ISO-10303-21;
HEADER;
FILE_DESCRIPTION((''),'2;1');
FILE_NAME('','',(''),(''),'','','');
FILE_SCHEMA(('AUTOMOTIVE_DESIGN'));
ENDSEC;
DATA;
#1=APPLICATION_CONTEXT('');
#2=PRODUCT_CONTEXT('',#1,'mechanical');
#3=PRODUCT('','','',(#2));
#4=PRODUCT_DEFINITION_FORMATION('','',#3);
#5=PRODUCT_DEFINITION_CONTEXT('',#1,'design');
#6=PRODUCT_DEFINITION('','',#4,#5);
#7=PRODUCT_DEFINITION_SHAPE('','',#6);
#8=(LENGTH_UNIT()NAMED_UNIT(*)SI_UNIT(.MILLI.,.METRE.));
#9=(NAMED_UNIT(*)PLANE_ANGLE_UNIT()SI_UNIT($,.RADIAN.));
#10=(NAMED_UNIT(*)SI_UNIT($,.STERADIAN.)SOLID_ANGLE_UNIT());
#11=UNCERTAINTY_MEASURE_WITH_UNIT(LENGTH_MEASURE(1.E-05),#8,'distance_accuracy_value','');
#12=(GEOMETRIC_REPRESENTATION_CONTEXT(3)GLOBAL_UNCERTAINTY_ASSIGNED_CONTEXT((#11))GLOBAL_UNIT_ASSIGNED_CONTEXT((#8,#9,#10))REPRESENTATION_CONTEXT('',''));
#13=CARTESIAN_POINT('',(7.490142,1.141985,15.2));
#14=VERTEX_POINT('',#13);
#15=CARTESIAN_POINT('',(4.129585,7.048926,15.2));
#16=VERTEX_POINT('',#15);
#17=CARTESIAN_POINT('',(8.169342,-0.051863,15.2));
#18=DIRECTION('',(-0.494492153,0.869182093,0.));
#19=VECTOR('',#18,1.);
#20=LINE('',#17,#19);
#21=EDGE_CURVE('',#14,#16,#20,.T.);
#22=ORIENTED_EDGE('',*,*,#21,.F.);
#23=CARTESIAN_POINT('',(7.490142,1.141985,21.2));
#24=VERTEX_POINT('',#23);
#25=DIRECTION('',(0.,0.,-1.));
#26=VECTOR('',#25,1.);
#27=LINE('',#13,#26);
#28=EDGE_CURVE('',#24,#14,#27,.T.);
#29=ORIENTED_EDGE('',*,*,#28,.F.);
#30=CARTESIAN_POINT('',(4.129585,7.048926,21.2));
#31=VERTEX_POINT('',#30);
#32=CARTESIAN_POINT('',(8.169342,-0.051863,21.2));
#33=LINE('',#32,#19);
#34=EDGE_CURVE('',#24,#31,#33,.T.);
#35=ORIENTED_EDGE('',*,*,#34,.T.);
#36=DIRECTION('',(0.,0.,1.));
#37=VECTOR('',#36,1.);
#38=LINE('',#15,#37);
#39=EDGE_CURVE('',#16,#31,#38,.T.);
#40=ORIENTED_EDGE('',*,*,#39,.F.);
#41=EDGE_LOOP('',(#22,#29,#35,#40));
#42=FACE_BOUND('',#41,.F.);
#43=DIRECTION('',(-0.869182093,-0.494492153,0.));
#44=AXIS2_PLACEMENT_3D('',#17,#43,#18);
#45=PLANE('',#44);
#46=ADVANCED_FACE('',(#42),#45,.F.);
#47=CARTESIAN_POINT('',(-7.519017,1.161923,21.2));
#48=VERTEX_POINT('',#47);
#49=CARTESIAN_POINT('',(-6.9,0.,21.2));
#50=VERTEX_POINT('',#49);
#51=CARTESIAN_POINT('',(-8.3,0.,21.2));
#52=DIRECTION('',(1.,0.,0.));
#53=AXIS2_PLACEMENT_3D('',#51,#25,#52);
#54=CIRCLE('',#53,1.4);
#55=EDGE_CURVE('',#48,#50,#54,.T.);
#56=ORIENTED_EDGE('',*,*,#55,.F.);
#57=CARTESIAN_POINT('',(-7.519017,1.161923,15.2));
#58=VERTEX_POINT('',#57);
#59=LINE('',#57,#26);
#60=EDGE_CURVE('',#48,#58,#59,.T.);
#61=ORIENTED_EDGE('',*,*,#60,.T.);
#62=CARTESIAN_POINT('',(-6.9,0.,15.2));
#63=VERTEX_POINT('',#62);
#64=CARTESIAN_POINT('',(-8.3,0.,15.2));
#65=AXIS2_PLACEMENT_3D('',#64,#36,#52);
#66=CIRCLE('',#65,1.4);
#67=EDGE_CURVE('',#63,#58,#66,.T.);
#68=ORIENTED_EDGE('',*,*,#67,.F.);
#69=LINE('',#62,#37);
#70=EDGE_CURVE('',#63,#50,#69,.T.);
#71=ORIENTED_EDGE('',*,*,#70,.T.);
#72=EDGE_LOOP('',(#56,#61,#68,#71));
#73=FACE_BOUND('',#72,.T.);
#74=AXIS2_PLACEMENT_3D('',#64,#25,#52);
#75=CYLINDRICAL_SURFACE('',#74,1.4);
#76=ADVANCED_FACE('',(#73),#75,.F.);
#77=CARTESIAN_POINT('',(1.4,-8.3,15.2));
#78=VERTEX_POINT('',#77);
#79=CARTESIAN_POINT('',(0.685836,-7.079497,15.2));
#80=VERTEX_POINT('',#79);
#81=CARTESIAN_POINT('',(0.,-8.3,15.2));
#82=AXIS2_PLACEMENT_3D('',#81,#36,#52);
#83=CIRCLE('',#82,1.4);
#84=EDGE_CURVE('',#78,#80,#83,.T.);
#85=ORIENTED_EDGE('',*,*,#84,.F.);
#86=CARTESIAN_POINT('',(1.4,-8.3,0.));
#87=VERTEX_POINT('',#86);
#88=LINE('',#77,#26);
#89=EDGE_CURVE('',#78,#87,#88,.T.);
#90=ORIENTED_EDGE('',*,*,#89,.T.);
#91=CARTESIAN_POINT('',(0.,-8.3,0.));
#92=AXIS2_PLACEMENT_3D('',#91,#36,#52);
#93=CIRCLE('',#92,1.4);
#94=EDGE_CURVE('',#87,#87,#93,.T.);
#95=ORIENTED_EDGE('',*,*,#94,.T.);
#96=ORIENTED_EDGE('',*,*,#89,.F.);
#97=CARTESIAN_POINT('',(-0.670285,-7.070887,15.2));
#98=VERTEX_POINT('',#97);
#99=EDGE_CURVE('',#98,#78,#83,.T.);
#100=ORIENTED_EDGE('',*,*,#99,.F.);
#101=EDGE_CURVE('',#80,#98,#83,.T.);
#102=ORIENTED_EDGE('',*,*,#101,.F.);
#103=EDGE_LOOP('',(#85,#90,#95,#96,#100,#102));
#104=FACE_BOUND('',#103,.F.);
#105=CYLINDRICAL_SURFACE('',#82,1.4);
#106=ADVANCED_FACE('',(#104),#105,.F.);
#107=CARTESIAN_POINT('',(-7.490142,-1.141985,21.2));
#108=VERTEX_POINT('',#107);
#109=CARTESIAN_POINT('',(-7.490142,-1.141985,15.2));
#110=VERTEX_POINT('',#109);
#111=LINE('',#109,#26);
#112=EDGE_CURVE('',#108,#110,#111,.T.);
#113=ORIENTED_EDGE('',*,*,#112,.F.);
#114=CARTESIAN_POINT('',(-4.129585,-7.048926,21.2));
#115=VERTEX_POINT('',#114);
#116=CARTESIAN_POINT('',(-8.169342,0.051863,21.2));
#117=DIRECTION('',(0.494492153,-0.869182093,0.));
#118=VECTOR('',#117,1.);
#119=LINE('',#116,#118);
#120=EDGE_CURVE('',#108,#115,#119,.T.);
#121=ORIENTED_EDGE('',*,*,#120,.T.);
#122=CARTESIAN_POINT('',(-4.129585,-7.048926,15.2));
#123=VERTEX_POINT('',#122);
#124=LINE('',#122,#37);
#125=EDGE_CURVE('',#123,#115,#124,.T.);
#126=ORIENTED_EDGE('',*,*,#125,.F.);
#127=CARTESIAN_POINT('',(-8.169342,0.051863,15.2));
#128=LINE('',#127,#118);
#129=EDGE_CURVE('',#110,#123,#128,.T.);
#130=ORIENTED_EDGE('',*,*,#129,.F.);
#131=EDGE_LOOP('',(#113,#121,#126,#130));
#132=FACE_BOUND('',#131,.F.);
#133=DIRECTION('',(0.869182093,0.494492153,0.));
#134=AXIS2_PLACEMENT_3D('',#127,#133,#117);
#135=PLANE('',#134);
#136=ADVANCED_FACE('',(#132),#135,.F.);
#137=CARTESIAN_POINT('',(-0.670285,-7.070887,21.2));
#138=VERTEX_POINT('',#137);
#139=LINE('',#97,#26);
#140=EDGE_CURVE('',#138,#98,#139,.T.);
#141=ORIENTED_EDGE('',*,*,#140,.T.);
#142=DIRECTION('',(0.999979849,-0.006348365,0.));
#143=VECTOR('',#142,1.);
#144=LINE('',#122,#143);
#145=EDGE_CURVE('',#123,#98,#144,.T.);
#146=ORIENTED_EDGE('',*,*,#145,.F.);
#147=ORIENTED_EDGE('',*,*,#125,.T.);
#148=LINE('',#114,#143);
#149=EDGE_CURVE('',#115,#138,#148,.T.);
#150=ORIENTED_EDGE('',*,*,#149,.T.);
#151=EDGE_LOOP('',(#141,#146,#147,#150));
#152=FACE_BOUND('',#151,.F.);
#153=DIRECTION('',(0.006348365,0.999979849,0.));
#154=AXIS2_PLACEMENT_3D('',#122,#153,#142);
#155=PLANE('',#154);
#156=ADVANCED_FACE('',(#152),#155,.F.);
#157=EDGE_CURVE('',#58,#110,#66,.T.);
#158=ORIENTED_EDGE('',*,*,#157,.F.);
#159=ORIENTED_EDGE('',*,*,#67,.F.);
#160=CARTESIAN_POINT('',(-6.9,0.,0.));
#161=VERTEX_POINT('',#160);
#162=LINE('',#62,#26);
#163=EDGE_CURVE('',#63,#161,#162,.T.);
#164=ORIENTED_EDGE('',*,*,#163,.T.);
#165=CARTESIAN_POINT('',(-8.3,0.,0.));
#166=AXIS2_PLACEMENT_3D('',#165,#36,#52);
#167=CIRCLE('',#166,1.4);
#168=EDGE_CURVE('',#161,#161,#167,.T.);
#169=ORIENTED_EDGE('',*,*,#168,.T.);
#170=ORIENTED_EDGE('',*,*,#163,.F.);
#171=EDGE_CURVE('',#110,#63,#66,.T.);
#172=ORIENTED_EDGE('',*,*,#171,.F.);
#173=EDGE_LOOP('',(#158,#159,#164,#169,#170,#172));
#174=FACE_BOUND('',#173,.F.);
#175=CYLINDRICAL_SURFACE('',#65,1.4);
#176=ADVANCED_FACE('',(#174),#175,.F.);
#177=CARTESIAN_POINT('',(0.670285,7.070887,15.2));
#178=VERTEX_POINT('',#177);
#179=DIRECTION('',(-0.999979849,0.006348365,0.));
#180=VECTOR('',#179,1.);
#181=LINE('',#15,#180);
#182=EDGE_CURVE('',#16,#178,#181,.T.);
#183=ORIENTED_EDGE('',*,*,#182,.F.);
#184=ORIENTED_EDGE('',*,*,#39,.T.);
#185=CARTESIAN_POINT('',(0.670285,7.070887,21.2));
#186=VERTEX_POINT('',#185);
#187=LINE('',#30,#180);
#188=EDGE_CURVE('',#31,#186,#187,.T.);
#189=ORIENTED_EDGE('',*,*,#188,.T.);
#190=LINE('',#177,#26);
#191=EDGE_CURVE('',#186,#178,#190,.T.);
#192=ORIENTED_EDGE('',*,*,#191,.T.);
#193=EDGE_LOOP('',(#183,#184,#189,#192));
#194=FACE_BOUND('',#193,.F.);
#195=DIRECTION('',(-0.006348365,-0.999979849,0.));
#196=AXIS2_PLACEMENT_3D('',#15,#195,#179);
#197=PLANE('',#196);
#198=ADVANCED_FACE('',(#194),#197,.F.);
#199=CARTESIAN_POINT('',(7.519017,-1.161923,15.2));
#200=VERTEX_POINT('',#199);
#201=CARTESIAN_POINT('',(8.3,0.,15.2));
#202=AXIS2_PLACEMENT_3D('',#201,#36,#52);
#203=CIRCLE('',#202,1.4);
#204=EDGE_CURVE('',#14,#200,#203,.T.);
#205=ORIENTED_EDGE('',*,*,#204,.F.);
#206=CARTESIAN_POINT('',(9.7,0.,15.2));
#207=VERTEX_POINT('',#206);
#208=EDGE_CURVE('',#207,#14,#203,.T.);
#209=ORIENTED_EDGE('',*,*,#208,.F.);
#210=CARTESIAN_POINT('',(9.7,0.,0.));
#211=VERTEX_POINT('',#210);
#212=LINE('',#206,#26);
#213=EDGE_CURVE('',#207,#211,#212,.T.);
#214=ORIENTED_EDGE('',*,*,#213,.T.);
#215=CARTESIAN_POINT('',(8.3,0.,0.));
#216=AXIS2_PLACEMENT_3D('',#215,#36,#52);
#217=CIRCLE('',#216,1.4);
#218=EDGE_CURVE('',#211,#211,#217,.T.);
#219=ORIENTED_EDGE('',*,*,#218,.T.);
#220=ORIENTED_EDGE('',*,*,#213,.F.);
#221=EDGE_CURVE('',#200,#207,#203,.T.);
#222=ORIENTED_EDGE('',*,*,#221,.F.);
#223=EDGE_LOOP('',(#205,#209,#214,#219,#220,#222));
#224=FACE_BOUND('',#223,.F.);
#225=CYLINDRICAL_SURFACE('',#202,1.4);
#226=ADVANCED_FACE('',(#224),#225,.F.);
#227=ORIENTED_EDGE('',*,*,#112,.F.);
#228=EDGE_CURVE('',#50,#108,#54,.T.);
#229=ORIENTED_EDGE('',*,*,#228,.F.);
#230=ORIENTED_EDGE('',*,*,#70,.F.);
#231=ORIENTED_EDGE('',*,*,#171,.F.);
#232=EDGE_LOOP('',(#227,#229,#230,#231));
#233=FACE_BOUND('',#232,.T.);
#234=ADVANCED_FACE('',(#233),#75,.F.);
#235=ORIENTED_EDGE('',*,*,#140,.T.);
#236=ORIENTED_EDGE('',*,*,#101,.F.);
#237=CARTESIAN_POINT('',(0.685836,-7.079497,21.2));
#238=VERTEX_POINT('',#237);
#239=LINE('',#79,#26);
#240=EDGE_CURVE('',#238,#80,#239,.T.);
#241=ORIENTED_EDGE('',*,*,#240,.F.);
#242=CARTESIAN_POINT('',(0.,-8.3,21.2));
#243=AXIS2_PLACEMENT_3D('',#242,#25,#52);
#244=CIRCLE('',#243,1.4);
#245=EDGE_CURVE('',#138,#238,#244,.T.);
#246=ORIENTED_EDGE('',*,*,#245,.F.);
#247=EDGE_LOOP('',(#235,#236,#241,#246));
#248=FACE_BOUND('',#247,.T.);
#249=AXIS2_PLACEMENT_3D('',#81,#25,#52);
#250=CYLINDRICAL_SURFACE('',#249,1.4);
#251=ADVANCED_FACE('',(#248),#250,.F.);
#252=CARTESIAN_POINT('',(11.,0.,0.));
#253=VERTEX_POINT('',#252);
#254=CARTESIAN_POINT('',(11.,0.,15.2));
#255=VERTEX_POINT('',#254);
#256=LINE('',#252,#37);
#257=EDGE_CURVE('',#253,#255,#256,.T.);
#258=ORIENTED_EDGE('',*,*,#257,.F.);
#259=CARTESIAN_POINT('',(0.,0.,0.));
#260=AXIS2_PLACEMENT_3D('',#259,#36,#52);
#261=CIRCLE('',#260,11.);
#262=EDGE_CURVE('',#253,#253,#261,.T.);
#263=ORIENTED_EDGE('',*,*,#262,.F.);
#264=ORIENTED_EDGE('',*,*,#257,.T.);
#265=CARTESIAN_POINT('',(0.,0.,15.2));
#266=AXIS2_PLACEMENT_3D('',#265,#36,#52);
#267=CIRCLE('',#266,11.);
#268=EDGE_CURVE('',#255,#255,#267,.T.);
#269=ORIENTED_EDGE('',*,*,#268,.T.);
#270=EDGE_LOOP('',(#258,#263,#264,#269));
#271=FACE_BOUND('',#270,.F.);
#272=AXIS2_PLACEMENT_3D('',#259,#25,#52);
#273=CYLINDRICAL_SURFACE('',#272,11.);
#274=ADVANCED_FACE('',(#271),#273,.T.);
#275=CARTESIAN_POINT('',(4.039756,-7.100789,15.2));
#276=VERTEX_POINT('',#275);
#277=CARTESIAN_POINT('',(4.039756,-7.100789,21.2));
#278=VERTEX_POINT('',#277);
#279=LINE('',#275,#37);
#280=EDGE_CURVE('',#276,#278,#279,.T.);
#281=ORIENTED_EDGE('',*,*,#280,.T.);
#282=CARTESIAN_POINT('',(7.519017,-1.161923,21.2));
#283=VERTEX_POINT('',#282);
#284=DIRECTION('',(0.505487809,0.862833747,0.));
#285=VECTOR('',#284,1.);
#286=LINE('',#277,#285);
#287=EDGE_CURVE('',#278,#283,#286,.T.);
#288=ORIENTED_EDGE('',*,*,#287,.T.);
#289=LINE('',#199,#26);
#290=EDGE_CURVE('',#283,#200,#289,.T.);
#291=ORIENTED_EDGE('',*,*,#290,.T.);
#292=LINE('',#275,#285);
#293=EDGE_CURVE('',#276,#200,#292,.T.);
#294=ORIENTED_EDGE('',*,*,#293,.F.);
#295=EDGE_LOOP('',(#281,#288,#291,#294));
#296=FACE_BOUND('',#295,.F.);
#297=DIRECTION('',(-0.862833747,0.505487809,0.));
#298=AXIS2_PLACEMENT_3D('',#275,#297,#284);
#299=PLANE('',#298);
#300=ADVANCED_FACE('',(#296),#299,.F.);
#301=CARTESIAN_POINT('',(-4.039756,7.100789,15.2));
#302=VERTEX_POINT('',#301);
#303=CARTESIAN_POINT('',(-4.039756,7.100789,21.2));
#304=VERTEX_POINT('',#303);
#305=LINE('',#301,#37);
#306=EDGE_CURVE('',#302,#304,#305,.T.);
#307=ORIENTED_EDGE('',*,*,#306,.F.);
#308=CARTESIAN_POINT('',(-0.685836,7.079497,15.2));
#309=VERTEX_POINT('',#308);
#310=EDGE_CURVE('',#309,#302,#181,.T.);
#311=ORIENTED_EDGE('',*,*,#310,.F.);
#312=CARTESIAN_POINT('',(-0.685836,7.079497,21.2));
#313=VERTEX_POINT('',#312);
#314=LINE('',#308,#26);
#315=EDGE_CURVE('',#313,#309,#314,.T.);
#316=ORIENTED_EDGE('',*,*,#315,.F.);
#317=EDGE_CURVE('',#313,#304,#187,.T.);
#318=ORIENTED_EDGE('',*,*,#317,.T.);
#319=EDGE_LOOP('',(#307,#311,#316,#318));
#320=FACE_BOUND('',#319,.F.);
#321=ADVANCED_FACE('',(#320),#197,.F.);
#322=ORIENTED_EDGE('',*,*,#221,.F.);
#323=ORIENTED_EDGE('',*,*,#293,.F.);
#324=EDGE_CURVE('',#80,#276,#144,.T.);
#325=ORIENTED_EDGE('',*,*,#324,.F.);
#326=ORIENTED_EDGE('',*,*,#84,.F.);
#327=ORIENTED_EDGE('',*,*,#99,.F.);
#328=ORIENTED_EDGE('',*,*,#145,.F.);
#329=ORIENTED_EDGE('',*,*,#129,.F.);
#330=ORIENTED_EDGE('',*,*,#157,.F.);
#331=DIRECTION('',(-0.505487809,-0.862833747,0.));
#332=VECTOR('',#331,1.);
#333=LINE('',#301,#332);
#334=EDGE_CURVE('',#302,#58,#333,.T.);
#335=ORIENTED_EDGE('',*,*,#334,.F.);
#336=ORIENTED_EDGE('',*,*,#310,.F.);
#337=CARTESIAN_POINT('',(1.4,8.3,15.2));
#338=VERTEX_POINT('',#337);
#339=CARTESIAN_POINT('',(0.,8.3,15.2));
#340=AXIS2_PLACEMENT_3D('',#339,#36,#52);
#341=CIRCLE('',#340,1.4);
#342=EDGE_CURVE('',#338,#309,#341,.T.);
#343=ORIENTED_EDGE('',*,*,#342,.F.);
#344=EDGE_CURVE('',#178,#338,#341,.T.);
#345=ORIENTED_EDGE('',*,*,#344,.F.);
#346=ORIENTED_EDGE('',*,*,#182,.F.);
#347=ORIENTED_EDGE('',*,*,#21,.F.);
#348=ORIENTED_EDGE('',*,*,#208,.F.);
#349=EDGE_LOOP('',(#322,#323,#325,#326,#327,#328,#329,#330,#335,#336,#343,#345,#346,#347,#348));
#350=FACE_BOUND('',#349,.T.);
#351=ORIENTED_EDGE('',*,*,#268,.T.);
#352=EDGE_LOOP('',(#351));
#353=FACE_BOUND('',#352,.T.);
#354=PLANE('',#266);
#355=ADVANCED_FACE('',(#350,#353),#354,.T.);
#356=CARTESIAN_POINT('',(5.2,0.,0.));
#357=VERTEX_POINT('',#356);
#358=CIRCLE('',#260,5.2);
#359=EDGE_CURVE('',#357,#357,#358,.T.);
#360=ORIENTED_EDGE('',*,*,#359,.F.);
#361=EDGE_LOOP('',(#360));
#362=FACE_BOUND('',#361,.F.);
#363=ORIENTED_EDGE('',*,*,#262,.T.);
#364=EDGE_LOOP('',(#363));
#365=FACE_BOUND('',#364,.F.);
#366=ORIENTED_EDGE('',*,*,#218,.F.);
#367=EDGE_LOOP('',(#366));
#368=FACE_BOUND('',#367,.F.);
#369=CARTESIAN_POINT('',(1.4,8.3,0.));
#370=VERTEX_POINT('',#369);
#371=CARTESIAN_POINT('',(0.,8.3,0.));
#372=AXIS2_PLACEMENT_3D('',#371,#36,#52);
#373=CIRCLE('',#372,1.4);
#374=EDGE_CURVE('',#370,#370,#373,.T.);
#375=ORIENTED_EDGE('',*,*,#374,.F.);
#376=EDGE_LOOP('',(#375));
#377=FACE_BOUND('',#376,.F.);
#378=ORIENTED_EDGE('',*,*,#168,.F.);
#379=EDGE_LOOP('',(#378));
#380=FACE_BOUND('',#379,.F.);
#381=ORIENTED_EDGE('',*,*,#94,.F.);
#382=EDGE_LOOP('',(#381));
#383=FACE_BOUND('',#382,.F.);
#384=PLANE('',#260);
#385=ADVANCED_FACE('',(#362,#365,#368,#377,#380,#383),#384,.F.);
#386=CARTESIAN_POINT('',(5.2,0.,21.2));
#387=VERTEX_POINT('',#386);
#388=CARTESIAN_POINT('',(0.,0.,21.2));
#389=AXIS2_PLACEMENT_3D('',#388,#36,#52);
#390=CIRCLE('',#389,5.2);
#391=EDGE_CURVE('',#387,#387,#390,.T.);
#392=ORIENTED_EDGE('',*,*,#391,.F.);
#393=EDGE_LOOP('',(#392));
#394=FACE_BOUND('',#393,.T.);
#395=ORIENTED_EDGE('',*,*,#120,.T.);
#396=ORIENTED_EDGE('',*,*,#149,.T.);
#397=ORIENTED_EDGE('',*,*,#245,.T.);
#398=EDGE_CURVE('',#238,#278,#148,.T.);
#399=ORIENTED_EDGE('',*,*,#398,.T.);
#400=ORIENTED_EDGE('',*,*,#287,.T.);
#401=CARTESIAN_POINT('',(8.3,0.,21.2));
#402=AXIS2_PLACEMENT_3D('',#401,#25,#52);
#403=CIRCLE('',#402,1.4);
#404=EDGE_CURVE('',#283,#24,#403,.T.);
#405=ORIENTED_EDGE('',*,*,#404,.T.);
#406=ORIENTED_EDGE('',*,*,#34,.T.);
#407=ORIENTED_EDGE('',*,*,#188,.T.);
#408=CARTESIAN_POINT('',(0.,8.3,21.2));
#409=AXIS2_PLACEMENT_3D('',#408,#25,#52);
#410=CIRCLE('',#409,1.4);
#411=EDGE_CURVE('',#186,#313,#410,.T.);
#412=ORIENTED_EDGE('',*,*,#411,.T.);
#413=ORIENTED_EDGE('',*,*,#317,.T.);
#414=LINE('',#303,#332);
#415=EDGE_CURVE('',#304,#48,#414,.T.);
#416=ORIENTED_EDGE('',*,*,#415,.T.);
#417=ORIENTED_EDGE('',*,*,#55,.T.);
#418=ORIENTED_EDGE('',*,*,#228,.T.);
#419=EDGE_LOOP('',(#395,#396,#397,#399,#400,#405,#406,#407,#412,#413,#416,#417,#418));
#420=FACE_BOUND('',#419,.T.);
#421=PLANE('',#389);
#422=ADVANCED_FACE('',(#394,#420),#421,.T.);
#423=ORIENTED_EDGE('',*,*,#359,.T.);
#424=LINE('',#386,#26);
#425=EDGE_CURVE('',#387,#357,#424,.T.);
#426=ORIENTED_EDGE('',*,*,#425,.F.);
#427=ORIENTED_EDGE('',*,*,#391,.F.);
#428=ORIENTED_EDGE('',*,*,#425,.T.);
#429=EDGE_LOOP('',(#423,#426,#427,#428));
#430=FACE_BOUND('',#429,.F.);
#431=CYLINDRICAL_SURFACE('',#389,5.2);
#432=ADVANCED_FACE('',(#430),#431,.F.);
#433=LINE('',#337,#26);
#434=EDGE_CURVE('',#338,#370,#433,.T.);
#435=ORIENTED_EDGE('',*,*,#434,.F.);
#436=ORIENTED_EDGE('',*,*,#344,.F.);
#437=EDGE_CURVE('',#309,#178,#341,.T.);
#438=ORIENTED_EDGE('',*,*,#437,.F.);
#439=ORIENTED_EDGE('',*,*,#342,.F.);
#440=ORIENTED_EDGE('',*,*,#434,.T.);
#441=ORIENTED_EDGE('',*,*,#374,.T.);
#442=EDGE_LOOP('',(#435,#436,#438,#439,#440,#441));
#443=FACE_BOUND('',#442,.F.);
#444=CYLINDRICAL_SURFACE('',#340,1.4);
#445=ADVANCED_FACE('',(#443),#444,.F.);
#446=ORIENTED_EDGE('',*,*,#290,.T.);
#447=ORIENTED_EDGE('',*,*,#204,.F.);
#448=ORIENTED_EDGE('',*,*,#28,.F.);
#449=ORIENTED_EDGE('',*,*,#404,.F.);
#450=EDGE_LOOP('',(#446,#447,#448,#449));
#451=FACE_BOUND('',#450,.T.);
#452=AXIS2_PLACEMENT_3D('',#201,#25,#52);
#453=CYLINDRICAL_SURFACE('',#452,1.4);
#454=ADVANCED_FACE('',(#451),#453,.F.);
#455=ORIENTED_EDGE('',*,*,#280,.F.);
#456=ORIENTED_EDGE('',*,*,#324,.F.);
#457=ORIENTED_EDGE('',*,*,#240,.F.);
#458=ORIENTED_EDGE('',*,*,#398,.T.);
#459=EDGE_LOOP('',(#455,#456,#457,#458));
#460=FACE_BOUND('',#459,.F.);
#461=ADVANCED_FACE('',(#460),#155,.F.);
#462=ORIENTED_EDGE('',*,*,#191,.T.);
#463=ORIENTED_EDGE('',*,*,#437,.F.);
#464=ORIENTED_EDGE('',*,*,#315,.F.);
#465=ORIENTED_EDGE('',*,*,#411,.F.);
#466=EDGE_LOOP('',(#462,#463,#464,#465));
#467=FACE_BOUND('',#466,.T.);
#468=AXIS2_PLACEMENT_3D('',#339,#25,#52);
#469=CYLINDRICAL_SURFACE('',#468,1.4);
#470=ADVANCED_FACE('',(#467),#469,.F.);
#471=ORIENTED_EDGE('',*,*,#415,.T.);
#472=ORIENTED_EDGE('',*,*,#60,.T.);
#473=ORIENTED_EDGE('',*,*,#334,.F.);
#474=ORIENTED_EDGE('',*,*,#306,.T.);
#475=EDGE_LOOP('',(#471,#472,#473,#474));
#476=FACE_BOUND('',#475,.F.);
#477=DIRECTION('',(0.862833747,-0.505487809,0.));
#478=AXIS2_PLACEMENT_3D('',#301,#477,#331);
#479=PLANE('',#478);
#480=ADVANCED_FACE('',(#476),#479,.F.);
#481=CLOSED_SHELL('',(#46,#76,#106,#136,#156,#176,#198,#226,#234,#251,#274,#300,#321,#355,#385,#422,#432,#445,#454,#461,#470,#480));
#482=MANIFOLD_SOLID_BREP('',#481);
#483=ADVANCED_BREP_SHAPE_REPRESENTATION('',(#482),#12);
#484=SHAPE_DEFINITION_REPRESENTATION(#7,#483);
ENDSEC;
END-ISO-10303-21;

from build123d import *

# Parameters (mm, degrees)
F0_R          = 11
F1_DEPTH      = 15.2
F2_R          = 5.1
F3_DEPTH      = 50
F3_DEPTH_BACK = 50
F4_R          = 1.4
F5_DEPTH      = 25
F7_DEPTH      = 6
F8_R          = 5.2
F9_DEPTH      = 50
F10_DEPTH     = 25


with BuildPart() as f1:
    # F0 (on Top) → F1 (new body)
    with BuildSketch(Plane.XY):
        Circle(F0_R)
    extrude(amount=F1_DEPTH)

    # F2 (on face) → F3 (cut, two sides)
    with BuildSketch(Plane.XY.offset(15.2)) as f3_sk:
        Circle(F2_R)
    extrude(amount=-F3_DEPTH, mode=Mode.SUBTRACT)
    extrude(f3_sk.sketch, amount=-F3_DEPTH_BACK, mode=Mode.SUBTRACT)

    # F4 (on face) → F5 (cut)
    with BuildSketch(Plane.XY.offset(15.2)):
        with Locations((0, -8.3)):
            Circle(F4_R)
        with Locations((-8.3, 0)):
            Circle(F4_R)
        with Locations((0, 8.3)):
            Circle(F4_R)
        with Locations((8.3, 0)):
            Circle(F4_R)
    extrude(amount=-F5_DEPTH, mode=Mode.SUBTRACT)

    # F6 (on face) → F7 (join)
    with BuildSketch(Plane.XY.offset(15.2)):
        Polygon((4.039756, -7.100789), (8.169342, -0.051863), (4.129585, 7.048926), (-4.039756, 7.100789), (-8.169342, 0.051863), (-4.129585, -7.048926), align=None)
    extrude(amount=F7_DEPTH)

    # F8 (on face) → F9 (cut)
    with BuildSketch(Plane.XY.offset(21.2)):
        Circle(F8_R)
    extrude(amount=-F9_DEPTH, mode=Mode.SUBTRACT)

    # F4 (on face) → F10 (cut)
    with BuildSketch(Plane.XY.offset(15.2)):
        with Locations((-8.3, 0)):
            Circle(F4_R)
        with Locations((8.3, 0)):
            Circle(F4_R)
        with Locations((0, 8.3)):
            Circle(F4_R)
        with Locations((0, -8.3)):
            Circle(F4_R)
    extrude(amount=F10_DEPTH, mode=Mode.SUBTRACT)


solid = f1.part
